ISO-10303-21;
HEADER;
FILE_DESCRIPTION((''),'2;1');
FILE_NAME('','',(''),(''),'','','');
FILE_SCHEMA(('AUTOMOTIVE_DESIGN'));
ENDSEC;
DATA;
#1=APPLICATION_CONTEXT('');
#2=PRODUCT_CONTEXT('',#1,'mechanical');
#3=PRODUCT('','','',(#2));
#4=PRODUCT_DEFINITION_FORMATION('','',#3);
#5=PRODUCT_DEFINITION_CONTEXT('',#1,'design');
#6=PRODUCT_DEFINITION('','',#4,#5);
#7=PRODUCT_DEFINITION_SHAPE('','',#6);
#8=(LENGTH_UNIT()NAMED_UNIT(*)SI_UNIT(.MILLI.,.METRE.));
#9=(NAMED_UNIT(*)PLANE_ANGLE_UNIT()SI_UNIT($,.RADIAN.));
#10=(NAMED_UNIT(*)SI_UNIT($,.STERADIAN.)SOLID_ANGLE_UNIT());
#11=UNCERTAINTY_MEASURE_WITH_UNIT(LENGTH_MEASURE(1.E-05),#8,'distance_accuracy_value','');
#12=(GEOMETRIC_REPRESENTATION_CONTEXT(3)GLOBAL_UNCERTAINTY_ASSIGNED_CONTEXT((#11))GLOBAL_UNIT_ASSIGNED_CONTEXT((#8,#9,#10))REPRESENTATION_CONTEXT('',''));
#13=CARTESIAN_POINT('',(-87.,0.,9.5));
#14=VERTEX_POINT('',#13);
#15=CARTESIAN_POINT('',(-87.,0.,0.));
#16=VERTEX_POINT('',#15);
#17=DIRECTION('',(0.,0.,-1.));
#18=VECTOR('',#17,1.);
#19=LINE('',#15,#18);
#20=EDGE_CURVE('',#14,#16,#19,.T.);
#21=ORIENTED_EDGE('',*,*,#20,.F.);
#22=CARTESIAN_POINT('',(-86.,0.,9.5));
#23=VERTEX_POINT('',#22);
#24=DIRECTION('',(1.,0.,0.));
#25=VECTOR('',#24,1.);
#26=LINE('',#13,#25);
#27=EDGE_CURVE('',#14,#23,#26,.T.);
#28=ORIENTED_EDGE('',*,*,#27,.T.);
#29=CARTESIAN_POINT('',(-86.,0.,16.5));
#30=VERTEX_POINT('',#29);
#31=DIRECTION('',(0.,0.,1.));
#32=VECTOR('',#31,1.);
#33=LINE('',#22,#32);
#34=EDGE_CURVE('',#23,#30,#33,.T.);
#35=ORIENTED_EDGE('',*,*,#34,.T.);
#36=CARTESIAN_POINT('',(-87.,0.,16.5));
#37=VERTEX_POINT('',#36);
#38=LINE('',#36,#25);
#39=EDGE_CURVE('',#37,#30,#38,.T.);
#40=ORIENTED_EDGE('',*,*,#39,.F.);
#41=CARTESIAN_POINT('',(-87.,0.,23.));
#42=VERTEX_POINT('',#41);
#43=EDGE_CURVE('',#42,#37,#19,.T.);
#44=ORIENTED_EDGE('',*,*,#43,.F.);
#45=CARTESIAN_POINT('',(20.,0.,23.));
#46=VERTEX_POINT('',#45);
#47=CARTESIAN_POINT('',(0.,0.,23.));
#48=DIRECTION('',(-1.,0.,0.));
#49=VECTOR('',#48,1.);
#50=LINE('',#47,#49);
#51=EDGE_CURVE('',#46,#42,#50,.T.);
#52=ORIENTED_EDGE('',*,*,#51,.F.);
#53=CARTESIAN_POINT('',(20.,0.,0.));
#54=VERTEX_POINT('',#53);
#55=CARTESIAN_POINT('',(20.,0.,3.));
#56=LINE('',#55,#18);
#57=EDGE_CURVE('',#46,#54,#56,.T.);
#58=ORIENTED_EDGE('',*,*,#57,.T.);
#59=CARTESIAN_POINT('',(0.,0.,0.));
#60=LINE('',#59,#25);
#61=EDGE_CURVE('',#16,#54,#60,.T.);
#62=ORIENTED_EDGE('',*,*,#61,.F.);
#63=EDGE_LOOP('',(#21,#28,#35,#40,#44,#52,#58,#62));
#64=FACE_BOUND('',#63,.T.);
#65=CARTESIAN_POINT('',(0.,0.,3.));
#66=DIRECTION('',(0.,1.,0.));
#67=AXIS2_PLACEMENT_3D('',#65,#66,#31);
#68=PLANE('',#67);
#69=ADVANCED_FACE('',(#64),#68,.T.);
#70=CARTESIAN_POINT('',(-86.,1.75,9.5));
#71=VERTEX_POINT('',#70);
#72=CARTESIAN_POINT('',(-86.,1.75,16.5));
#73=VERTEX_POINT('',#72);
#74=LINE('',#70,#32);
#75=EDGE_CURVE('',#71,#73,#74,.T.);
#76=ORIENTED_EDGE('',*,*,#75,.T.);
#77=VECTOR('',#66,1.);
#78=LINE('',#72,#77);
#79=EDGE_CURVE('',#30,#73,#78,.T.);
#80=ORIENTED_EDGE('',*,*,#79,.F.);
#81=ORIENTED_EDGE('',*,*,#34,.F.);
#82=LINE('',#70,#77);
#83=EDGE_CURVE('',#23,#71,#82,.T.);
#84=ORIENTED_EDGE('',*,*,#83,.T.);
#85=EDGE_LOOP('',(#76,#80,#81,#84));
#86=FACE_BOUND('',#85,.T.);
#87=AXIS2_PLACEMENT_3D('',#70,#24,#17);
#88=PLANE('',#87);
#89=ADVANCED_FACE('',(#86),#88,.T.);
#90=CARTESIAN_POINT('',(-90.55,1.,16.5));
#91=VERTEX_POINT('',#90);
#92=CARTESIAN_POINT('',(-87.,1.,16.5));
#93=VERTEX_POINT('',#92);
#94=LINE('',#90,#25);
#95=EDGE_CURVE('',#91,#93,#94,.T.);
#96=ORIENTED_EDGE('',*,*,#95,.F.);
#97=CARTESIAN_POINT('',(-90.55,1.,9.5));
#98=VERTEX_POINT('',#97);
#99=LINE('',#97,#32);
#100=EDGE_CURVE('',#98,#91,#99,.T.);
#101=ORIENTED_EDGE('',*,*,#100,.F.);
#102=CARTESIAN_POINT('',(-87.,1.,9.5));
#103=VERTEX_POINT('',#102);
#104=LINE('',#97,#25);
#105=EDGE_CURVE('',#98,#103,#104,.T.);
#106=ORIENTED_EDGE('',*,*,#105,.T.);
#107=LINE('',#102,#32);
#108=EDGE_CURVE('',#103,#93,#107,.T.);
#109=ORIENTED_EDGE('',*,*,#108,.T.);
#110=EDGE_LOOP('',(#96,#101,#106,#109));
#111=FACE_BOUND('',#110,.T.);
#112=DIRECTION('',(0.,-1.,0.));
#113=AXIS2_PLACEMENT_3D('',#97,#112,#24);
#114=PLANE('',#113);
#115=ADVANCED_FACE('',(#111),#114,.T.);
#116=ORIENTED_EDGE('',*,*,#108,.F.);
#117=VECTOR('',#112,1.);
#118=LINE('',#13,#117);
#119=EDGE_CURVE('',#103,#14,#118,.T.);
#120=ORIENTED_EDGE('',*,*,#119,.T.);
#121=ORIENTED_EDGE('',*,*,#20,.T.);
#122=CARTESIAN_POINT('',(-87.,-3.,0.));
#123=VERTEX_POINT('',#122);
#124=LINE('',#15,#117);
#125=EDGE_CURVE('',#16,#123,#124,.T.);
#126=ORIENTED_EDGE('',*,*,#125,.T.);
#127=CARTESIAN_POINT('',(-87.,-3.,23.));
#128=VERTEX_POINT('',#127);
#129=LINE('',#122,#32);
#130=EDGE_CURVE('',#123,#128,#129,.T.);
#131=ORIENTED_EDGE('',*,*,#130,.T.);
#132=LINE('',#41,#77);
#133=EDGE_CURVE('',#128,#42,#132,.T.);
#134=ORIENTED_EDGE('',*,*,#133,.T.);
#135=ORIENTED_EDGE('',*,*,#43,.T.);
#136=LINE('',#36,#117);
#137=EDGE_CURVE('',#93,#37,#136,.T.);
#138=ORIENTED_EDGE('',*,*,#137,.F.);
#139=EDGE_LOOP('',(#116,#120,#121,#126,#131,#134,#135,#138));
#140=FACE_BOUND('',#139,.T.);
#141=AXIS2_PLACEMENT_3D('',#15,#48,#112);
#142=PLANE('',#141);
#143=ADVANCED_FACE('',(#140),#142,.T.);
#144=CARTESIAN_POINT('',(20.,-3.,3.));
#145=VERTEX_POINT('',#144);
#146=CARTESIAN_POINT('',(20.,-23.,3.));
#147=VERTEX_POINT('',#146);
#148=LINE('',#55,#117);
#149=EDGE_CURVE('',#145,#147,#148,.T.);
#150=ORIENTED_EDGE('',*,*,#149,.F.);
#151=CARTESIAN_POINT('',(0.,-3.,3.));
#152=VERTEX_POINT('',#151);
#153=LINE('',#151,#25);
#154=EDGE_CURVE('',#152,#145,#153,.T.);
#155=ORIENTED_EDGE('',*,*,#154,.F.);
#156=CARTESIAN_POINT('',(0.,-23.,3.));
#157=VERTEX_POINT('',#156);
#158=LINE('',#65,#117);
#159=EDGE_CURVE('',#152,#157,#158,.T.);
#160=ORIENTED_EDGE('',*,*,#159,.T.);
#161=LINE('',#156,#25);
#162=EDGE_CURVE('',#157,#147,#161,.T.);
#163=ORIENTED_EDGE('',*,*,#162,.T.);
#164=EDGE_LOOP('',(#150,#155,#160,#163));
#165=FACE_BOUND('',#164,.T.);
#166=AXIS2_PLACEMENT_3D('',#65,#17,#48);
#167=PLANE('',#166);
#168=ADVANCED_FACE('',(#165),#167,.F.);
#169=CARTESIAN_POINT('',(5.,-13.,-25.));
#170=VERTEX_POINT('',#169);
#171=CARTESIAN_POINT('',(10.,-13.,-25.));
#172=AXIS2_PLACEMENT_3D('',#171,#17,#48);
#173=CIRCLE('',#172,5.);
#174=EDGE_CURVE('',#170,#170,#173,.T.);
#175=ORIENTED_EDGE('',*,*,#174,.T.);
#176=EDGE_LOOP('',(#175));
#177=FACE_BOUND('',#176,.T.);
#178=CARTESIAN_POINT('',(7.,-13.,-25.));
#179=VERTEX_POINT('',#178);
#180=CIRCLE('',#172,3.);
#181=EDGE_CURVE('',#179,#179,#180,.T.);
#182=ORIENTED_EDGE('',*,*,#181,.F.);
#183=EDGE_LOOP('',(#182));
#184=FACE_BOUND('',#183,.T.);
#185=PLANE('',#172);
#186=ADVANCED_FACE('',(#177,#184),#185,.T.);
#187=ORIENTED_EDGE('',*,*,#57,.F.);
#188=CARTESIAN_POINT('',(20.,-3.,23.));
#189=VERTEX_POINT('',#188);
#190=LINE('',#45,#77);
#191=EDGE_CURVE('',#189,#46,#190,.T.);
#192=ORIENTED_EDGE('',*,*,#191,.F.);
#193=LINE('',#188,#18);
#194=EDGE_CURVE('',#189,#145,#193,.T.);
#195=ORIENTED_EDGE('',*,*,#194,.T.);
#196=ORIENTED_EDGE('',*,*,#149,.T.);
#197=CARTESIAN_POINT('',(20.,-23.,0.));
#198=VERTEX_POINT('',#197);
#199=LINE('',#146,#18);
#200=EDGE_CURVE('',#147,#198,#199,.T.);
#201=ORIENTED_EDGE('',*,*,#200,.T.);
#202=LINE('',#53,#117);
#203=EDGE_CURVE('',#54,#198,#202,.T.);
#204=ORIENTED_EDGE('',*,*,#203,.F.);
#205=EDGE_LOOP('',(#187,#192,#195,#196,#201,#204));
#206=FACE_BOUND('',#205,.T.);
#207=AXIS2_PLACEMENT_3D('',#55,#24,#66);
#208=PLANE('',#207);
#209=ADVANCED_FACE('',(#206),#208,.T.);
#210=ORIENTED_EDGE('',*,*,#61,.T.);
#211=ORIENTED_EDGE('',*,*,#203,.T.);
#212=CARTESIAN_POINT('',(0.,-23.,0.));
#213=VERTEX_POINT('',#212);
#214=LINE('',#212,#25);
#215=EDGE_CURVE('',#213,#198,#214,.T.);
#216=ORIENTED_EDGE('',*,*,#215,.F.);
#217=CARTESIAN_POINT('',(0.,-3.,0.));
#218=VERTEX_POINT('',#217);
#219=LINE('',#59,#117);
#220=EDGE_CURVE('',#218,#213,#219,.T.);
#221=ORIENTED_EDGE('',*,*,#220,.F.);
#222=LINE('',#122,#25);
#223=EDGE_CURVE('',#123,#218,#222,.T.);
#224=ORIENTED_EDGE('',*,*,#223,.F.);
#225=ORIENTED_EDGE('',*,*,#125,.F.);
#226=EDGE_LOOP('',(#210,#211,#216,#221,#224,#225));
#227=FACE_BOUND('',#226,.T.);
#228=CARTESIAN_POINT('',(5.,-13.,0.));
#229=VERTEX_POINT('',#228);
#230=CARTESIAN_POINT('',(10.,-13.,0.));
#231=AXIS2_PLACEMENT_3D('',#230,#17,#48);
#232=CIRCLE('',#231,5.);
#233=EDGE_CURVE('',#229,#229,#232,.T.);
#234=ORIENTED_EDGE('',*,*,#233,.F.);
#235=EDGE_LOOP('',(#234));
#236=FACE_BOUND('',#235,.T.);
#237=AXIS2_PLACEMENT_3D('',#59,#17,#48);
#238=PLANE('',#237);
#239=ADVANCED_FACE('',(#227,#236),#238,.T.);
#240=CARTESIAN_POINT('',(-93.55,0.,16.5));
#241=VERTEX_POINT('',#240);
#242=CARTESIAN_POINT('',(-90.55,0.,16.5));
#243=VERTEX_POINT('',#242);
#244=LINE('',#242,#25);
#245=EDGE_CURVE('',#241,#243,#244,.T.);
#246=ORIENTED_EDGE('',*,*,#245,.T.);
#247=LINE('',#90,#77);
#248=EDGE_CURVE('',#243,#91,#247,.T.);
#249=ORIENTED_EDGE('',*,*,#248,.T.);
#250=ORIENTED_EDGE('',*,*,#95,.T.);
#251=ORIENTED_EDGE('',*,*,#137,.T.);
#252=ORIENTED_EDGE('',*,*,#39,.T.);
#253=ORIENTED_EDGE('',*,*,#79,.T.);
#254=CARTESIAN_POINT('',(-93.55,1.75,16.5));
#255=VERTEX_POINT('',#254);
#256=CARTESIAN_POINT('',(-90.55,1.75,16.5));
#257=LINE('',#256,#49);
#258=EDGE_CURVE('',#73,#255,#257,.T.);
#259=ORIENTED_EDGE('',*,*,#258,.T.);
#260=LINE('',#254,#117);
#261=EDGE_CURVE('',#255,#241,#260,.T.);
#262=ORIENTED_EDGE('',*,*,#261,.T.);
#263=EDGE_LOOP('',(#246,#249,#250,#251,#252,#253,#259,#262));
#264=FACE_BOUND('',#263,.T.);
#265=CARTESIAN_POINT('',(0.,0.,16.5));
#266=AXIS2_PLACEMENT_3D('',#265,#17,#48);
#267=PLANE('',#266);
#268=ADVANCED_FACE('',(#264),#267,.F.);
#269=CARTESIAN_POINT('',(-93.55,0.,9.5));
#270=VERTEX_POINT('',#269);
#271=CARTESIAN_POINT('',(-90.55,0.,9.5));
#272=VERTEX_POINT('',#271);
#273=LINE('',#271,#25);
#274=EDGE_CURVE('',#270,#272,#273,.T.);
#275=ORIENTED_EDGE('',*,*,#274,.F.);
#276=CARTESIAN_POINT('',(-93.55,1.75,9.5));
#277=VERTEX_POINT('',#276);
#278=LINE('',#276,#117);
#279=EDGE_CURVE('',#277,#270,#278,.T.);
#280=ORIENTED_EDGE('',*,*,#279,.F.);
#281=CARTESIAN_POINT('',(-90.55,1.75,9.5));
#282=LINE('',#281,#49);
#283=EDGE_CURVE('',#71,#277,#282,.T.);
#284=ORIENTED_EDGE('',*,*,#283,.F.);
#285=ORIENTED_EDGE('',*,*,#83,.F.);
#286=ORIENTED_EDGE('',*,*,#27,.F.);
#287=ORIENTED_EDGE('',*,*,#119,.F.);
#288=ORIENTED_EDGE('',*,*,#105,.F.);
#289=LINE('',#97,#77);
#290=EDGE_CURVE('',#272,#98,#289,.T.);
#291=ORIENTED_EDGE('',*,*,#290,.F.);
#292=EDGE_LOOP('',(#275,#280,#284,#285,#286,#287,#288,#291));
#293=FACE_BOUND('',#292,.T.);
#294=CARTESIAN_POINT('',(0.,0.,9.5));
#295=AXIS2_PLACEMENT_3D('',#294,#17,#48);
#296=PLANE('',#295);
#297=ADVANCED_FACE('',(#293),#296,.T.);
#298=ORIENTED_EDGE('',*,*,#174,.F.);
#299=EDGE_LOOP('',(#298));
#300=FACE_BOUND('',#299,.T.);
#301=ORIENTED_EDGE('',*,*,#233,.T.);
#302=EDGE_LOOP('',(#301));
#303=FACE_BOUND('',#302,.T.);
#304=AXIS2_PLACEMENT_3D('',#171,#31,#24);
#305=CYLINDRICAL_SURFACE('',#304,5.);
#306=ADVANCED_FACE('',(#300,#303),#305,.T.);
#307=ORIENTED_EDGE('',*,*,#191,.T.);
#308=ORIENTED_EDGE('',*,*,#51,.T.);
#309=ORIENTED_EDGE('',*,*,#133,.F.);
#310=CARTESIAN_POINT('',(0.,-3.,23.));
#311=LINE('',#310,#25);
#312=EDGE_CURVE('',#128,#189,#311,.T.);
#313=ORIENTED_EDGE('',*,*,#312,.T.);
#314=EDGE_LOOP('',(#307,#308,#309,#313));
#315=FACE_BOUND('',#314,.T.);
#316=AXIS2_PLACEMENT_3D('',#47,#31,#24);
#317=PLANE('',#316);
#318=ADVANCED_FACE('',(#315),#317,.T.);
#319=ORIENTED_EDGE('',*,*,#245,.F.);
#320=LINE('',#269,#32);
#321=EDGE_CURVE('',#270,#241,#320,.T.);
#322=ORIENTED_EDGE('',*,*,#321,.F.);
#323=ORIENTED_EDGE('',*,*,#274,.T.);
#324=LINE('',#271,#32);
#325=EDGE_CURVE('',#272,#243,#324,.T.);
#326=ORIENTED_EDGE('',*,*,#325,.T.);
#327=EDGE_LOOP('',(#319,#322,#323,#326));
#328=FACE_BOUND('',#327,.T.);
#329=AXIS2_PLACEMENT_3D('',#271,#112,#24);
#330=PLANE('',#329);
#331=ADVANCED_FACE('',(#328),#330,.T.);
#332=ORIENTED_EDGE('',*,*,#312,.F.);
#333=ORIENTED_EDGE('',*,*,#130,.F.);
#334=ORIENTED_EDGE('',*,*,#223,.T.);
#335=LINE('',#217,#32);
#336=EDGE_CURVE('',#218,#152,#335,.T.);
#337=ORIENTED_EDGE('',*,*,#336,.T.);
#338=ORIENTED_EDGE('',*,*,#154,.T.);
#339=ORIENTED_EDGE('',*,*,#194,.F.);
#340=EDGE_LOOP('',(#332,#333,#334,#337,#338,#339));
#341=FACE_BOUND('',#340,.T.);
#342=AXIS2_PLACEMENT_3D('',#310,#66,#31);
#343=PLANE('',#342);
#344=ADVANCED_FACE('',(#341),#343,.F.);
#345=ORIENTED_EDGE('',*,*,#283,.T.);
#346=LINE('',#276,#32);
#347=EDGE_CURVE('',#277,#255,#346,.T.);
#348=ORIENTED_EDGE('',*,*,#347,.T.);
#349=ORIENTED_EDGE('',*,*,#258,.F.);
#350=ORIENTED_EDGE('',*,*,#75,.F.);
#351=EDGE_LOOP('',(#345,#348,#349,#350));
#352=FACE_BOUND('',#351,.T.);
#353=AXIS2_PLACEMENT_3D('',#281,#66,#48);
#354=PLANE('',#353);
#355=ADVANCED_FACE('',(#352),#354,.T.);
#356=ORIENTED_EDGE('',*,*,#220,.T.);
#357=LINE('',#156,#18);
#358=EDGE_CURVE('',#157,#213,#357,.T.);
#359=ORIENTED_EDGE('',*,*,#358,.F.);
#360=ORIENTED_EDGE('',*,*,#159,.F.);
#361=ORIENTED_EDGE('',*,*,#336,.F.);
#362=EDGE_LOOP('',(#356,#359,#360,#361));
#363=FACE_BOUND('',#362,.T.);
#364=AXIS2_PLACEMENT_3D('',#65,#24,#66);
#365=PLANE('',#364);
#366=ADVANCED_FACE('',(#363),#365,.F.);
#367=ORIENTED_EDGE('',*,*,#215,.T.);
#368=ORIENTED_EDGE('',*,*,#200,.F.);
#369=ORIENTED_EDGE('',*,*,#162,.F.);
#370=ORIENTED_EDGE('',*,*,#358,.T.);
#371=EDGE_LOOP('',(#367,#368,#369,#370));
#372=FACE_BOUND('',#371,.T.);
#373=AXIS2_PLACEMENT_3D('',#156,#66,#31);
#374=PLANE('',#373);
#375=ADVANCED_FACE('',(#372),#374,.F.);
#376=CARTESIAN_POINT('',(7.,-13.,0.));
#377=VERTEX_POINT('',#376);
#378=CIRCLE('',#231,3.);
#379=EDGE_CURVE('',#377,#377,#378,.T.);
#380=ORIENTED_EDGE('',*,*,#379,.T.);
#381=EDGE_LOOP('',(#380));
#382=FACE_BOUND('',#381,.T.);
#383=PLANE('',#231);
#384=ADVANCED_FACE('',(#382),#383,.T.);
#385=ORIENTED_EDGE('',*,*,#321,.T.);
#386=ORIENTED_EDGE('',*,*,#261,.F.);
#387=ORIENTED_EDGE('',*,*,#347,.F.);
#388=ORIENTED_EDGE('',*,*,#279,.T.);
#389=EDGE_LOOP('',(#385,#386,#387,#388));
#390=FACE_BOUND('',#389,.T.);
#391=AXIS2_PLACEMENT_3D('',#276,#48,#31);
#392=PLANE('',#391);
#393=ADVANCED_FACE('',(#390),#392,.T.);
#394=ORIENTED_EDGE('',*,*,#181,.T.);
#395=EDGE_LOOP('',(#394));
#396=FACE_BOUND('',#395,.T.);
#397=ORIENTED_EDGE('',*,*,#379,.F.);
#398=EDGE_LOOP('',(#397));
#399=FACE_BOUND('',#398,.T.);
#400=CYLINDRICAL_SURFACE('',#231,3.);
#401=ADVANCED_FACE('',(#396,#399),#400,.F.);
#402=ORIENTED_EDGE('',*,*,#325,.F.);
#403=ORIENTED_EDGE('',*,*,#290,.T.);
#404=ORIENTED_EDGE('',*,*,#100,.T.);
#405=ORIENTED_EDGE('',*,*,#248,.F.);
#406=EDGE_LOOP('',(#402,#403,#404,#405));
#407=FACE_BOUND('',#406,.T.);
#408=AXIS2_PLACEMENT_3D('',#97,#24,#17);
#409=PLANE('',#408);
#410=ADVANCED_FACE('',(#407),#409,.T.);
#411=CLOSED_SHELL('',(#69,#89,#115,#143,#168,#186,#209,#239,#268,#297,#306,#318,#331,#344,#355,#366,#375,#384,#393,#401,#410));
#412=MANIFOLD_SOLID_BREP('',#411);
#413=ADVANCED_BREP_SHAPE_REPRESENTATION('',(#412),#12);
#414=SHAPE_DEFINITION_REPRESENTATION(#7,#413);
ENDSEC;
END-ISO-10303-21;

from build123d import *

# Parameters (mm, degrees)
SKETCH1_W                = 20
SKETCH1_H                = 23
BOSS_EXTRUDE1_DEPTH      = 3
SKETCH2_W                = 20
SKETCH2_H                = 3
BOSS_EXTRUDE2_DEPTH      = 20
SKETCH3_R                = 5
BOSS_EXTRUDE3_DEPTH      = 25
SKETCH4_R                = 3
CUT_EXTRUDE1_DEPTH       = 25
SKETCH5_W                = 23
SKETCH5_H                = 3
BOSS_EXTRUDE4_DEPTH      = 87
BOSS_EXTRUDE5_DEPTH      = 5
BOSS_EXTRUDE5_DEPTH_BACK = 2
BOSS_EXTRUDE5_START      = 11.5


with BuildPart() as part:
    # Sketch1 → Boss-Extrude1 (new body)
    with BuildSketch(Plane.XY):
        with Locations((10, -11.5)):
            Rectangle(SKETCH1_W, SKETCH1_H)
    extrude(amount=BOSS_EXTRUDE1_DEPTH)

    # Sketch2 → Boss-Extrude2 (add)
    with BuildSketch(Plane.XY.offset(3)):
        with Locations((10, -1.5)):
            Rectangle(SKETCH2_W, SKETCH2_H)
    extrude(amount=BOSS_EXTRUDE2_DEPTH)

    # Sketch3 → Boss-Extrude3 (add)
    with BuildSketch(Plane(origin=(0, 0, 0), x_dir=(-1, 0, 0), z_dir=(0, 0, -1))):
        with Locations((-10, -13)):
            Circle(SKETCH3_R)
    extrude(amount=BOSS_EXTRUDE3_DEPTH)

    # Sketch4 → Cut-Extrude1 (cut)
    with BuildSketch(Plane(origin=(0, 0, -25), x_dir=(-1, 0, 0), z_dir=(0, 0, -1))):
        with Locations((-10, -13)):
            Circle(SKETCH4_R)
    extrude(amount=-CUT_EXTRUDE1_DEPTH, mode=Mode.SUBTRACT)

    # Sketch5 → Boss-Extrude4 (add)
    with BuildSketch(Plane.ZY):
        with Locations((11.5, -1.5)):
            Rectangle(SKETCH5_W, SKETCH5_H)
    extrude(amount=BOSS_EXTRUDE4_DEPTH)

    # Sketch8 → Boss-Extrude5 (add, two sides: drawn at the far end of the back side and taken through both)
    with BuildSketch(Plane.XY.offset(BOSS_EXTRUDE5_START - BOSS_EXTRUDE5_DEPTH_BACK)):
        Polygon((-87, 0), (-87, 1), (-90.55, 1), (-90.55, 0), (-93.55, 0), (-93.55, 1.75), (-90.55, 1.75), (-86, 1.75), (-86, 0), align=None)
    extrude(amount=BOSS_EXTRUDE5_DEPTH + BOSS_EXTRUDE5_DEPTH_BACK)


solid = part.part
